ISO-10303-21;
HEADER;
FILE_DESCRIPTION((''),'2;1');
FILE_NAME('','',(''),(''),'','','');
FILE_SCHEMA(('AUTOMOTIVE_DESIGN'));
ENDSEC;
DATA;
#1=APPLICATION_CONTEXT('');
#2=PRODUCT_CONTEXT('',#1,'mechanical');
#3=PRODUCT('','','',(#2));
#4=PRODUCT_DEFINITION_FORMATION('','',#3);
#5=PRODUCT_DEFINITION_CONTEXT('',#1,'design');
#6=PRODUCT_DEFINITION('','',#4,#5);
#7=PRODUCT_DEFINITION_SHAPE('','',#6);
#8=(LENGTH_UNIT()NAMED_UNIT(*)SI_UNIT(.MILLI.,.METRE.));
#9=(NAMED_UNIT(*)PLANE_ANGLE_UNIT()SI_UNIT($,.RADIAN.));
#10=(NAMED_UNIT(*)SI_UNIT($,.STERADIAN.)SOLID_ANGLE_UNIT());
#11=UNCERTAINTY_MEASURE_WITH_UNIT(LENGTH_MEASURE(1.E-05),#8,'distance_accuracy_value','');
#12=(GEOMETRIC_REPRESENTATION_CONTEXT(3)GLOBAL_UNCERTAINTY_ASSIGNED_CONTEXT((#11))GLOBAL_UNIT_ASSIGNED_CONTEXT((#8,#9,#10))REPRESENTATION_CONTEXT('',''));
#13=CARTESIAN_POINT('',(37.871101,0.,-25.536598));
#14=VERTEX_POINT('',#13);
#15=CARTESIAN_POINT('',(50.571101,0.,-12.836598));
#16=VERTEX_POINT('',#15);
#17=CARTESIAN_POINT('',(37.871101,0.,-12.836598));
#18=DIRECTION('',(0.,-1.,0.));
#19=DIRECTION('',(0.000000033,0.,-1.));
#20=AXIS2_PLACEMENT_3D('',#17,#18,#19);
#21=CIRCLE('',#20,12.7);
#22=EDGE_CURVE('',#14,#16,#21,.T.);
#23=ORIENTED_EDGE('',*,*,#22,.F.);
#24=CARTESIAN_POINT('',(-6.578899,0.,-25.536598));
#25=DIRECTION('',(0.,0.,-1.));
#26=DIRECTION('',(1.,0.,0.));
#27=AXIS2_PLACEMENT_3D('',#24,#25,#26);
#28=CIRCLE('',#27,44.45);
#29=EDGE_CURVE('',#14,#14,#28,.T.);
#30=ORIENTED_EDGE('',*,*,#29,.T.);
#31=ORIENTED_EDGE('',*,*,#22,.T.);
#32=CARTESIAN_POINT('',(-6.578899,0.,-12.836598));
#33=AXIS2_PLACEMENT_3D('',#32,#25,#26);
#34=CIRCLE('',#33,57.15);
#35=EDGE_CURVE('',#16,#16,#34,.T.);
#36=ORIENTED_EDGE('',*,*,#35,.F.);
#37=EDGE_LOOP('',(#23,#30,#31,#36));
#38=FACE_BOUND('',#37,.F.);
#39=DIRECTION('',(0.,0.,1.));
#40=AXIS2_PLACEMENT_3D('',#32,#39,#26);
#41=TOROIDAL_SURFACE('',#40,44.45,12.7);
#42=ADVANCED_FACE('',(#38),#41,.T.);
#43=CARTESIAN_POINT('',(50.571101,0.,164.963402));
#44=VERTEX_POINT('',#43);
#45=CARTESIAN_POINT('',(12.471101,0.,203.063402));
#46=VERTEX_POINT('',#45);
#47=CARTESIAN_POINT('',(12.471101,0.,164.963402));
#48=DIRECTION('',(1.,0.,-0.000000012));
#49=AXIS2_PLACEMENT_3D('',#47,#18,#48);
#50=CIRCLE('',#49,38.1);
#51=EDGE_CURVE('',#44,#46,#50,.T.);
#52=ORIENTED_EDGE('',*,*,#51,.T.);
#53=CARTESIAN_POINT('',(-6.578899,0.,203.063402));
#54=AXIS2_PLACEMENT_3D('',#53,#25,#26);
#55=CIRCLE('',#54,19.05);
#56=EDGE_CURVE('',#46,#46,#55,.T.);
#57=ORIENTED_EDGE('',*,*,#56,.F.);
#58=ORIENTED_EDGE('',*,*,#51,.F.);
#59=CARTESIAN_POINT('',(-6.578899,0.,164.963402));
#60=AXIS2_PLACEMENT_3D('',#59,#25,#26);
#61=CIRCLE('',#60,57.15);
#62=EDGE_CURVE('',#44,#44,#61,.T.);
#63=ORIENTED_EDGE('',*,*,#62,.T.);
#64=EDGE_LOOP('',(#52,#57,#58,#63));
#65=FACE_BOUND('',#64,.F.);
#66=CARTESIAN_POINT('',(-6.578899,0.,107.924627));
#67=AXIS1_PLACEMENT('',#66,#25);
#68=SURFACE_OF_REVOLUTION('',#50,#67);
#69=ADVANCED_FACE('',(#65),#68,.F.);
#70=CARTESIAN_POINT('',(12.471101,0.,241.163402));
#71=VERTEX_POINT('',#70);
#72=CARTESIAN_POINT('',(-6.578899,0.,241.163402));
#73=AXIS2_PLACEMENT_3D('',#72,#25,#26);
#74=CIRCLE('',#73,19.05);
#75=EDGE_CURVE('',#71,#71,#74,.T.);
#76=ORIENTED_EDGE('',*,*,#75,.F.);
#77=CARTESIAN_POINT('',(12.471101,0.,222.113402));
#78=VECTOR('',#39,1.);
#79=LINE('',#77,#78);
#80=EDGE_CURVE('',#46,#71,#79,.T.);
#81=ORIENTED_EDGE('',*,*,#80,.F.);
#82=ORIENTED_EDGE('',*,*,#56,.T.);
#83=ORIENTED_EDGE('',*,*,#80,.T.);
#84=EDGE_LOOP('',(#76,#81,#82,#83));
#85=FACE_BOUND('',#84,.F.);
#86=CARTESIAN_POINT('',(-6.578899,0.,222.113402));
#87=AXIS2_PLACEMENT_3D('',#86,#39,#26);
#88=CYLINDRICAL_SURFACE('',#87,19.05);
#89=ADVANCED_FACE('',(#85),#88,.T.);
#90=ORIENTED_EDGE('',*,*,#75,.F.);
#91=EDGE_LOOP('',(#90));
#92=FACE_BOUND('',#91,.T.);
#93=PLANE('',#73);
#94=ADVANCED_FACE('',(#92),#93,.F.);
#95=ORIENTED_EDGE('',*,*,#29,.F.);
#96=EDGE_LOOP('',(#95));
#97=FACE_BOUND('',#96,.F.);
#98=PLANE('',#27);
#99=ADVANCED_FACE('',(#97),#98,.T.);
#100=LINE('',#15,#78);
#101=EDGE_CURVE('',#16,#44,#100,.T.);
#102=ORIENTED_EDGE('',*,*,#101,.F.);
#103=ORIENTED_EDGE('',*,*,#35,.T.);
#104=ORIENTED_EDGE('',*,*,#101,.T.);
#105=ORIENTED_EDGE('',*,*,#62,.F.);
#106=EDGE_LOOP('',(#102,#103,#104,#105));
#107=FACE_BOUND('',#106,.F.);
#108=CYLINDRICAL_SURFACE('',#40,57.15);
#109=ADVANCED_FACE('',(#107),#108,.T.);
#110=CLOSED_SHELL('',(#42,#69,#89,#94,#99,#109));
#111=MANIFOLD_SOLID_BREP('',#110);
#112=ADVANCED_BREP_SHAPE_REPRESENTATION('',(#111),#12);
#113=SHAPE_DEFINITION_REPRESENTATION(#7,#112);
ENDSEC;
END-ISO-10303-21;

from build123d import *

# Parameters (mm, degrees)
F0_W = 19.05
F0_H = 38.1


with BuildPart() as f1:
    # F0 (on Front) → F1 (revolve)
    with BuildSketch(Plane.XZ):
        with BuildLine():
            Line((12.471101, 203.063402), (-6.578899, 203.063402))
            Line((-6.578899, 203.063402), (-6.578899, -25.536598))
            Line((-6.578899, -25.536598), (37.871101, -25.536598))
            ThreePointArc((37.871101, -25.536598), (46.851357, -21.816854), (50.571101, -12.836598))
            Line((50.571101, -12.836598), (50.571101, 164.963402))
            ThreePointArc((50.571101, 164.963402), (39.41187, 191.90417), (12.471101, 203.063402))
        make_face()
        with Locations((2.946101, 222.113402)):
            Rectangle(F0_W, F0_H)
    revolve(axis=Axis((-6.578899, 0, 107.924627), (0, 0, -1)))


solid = f1.part
